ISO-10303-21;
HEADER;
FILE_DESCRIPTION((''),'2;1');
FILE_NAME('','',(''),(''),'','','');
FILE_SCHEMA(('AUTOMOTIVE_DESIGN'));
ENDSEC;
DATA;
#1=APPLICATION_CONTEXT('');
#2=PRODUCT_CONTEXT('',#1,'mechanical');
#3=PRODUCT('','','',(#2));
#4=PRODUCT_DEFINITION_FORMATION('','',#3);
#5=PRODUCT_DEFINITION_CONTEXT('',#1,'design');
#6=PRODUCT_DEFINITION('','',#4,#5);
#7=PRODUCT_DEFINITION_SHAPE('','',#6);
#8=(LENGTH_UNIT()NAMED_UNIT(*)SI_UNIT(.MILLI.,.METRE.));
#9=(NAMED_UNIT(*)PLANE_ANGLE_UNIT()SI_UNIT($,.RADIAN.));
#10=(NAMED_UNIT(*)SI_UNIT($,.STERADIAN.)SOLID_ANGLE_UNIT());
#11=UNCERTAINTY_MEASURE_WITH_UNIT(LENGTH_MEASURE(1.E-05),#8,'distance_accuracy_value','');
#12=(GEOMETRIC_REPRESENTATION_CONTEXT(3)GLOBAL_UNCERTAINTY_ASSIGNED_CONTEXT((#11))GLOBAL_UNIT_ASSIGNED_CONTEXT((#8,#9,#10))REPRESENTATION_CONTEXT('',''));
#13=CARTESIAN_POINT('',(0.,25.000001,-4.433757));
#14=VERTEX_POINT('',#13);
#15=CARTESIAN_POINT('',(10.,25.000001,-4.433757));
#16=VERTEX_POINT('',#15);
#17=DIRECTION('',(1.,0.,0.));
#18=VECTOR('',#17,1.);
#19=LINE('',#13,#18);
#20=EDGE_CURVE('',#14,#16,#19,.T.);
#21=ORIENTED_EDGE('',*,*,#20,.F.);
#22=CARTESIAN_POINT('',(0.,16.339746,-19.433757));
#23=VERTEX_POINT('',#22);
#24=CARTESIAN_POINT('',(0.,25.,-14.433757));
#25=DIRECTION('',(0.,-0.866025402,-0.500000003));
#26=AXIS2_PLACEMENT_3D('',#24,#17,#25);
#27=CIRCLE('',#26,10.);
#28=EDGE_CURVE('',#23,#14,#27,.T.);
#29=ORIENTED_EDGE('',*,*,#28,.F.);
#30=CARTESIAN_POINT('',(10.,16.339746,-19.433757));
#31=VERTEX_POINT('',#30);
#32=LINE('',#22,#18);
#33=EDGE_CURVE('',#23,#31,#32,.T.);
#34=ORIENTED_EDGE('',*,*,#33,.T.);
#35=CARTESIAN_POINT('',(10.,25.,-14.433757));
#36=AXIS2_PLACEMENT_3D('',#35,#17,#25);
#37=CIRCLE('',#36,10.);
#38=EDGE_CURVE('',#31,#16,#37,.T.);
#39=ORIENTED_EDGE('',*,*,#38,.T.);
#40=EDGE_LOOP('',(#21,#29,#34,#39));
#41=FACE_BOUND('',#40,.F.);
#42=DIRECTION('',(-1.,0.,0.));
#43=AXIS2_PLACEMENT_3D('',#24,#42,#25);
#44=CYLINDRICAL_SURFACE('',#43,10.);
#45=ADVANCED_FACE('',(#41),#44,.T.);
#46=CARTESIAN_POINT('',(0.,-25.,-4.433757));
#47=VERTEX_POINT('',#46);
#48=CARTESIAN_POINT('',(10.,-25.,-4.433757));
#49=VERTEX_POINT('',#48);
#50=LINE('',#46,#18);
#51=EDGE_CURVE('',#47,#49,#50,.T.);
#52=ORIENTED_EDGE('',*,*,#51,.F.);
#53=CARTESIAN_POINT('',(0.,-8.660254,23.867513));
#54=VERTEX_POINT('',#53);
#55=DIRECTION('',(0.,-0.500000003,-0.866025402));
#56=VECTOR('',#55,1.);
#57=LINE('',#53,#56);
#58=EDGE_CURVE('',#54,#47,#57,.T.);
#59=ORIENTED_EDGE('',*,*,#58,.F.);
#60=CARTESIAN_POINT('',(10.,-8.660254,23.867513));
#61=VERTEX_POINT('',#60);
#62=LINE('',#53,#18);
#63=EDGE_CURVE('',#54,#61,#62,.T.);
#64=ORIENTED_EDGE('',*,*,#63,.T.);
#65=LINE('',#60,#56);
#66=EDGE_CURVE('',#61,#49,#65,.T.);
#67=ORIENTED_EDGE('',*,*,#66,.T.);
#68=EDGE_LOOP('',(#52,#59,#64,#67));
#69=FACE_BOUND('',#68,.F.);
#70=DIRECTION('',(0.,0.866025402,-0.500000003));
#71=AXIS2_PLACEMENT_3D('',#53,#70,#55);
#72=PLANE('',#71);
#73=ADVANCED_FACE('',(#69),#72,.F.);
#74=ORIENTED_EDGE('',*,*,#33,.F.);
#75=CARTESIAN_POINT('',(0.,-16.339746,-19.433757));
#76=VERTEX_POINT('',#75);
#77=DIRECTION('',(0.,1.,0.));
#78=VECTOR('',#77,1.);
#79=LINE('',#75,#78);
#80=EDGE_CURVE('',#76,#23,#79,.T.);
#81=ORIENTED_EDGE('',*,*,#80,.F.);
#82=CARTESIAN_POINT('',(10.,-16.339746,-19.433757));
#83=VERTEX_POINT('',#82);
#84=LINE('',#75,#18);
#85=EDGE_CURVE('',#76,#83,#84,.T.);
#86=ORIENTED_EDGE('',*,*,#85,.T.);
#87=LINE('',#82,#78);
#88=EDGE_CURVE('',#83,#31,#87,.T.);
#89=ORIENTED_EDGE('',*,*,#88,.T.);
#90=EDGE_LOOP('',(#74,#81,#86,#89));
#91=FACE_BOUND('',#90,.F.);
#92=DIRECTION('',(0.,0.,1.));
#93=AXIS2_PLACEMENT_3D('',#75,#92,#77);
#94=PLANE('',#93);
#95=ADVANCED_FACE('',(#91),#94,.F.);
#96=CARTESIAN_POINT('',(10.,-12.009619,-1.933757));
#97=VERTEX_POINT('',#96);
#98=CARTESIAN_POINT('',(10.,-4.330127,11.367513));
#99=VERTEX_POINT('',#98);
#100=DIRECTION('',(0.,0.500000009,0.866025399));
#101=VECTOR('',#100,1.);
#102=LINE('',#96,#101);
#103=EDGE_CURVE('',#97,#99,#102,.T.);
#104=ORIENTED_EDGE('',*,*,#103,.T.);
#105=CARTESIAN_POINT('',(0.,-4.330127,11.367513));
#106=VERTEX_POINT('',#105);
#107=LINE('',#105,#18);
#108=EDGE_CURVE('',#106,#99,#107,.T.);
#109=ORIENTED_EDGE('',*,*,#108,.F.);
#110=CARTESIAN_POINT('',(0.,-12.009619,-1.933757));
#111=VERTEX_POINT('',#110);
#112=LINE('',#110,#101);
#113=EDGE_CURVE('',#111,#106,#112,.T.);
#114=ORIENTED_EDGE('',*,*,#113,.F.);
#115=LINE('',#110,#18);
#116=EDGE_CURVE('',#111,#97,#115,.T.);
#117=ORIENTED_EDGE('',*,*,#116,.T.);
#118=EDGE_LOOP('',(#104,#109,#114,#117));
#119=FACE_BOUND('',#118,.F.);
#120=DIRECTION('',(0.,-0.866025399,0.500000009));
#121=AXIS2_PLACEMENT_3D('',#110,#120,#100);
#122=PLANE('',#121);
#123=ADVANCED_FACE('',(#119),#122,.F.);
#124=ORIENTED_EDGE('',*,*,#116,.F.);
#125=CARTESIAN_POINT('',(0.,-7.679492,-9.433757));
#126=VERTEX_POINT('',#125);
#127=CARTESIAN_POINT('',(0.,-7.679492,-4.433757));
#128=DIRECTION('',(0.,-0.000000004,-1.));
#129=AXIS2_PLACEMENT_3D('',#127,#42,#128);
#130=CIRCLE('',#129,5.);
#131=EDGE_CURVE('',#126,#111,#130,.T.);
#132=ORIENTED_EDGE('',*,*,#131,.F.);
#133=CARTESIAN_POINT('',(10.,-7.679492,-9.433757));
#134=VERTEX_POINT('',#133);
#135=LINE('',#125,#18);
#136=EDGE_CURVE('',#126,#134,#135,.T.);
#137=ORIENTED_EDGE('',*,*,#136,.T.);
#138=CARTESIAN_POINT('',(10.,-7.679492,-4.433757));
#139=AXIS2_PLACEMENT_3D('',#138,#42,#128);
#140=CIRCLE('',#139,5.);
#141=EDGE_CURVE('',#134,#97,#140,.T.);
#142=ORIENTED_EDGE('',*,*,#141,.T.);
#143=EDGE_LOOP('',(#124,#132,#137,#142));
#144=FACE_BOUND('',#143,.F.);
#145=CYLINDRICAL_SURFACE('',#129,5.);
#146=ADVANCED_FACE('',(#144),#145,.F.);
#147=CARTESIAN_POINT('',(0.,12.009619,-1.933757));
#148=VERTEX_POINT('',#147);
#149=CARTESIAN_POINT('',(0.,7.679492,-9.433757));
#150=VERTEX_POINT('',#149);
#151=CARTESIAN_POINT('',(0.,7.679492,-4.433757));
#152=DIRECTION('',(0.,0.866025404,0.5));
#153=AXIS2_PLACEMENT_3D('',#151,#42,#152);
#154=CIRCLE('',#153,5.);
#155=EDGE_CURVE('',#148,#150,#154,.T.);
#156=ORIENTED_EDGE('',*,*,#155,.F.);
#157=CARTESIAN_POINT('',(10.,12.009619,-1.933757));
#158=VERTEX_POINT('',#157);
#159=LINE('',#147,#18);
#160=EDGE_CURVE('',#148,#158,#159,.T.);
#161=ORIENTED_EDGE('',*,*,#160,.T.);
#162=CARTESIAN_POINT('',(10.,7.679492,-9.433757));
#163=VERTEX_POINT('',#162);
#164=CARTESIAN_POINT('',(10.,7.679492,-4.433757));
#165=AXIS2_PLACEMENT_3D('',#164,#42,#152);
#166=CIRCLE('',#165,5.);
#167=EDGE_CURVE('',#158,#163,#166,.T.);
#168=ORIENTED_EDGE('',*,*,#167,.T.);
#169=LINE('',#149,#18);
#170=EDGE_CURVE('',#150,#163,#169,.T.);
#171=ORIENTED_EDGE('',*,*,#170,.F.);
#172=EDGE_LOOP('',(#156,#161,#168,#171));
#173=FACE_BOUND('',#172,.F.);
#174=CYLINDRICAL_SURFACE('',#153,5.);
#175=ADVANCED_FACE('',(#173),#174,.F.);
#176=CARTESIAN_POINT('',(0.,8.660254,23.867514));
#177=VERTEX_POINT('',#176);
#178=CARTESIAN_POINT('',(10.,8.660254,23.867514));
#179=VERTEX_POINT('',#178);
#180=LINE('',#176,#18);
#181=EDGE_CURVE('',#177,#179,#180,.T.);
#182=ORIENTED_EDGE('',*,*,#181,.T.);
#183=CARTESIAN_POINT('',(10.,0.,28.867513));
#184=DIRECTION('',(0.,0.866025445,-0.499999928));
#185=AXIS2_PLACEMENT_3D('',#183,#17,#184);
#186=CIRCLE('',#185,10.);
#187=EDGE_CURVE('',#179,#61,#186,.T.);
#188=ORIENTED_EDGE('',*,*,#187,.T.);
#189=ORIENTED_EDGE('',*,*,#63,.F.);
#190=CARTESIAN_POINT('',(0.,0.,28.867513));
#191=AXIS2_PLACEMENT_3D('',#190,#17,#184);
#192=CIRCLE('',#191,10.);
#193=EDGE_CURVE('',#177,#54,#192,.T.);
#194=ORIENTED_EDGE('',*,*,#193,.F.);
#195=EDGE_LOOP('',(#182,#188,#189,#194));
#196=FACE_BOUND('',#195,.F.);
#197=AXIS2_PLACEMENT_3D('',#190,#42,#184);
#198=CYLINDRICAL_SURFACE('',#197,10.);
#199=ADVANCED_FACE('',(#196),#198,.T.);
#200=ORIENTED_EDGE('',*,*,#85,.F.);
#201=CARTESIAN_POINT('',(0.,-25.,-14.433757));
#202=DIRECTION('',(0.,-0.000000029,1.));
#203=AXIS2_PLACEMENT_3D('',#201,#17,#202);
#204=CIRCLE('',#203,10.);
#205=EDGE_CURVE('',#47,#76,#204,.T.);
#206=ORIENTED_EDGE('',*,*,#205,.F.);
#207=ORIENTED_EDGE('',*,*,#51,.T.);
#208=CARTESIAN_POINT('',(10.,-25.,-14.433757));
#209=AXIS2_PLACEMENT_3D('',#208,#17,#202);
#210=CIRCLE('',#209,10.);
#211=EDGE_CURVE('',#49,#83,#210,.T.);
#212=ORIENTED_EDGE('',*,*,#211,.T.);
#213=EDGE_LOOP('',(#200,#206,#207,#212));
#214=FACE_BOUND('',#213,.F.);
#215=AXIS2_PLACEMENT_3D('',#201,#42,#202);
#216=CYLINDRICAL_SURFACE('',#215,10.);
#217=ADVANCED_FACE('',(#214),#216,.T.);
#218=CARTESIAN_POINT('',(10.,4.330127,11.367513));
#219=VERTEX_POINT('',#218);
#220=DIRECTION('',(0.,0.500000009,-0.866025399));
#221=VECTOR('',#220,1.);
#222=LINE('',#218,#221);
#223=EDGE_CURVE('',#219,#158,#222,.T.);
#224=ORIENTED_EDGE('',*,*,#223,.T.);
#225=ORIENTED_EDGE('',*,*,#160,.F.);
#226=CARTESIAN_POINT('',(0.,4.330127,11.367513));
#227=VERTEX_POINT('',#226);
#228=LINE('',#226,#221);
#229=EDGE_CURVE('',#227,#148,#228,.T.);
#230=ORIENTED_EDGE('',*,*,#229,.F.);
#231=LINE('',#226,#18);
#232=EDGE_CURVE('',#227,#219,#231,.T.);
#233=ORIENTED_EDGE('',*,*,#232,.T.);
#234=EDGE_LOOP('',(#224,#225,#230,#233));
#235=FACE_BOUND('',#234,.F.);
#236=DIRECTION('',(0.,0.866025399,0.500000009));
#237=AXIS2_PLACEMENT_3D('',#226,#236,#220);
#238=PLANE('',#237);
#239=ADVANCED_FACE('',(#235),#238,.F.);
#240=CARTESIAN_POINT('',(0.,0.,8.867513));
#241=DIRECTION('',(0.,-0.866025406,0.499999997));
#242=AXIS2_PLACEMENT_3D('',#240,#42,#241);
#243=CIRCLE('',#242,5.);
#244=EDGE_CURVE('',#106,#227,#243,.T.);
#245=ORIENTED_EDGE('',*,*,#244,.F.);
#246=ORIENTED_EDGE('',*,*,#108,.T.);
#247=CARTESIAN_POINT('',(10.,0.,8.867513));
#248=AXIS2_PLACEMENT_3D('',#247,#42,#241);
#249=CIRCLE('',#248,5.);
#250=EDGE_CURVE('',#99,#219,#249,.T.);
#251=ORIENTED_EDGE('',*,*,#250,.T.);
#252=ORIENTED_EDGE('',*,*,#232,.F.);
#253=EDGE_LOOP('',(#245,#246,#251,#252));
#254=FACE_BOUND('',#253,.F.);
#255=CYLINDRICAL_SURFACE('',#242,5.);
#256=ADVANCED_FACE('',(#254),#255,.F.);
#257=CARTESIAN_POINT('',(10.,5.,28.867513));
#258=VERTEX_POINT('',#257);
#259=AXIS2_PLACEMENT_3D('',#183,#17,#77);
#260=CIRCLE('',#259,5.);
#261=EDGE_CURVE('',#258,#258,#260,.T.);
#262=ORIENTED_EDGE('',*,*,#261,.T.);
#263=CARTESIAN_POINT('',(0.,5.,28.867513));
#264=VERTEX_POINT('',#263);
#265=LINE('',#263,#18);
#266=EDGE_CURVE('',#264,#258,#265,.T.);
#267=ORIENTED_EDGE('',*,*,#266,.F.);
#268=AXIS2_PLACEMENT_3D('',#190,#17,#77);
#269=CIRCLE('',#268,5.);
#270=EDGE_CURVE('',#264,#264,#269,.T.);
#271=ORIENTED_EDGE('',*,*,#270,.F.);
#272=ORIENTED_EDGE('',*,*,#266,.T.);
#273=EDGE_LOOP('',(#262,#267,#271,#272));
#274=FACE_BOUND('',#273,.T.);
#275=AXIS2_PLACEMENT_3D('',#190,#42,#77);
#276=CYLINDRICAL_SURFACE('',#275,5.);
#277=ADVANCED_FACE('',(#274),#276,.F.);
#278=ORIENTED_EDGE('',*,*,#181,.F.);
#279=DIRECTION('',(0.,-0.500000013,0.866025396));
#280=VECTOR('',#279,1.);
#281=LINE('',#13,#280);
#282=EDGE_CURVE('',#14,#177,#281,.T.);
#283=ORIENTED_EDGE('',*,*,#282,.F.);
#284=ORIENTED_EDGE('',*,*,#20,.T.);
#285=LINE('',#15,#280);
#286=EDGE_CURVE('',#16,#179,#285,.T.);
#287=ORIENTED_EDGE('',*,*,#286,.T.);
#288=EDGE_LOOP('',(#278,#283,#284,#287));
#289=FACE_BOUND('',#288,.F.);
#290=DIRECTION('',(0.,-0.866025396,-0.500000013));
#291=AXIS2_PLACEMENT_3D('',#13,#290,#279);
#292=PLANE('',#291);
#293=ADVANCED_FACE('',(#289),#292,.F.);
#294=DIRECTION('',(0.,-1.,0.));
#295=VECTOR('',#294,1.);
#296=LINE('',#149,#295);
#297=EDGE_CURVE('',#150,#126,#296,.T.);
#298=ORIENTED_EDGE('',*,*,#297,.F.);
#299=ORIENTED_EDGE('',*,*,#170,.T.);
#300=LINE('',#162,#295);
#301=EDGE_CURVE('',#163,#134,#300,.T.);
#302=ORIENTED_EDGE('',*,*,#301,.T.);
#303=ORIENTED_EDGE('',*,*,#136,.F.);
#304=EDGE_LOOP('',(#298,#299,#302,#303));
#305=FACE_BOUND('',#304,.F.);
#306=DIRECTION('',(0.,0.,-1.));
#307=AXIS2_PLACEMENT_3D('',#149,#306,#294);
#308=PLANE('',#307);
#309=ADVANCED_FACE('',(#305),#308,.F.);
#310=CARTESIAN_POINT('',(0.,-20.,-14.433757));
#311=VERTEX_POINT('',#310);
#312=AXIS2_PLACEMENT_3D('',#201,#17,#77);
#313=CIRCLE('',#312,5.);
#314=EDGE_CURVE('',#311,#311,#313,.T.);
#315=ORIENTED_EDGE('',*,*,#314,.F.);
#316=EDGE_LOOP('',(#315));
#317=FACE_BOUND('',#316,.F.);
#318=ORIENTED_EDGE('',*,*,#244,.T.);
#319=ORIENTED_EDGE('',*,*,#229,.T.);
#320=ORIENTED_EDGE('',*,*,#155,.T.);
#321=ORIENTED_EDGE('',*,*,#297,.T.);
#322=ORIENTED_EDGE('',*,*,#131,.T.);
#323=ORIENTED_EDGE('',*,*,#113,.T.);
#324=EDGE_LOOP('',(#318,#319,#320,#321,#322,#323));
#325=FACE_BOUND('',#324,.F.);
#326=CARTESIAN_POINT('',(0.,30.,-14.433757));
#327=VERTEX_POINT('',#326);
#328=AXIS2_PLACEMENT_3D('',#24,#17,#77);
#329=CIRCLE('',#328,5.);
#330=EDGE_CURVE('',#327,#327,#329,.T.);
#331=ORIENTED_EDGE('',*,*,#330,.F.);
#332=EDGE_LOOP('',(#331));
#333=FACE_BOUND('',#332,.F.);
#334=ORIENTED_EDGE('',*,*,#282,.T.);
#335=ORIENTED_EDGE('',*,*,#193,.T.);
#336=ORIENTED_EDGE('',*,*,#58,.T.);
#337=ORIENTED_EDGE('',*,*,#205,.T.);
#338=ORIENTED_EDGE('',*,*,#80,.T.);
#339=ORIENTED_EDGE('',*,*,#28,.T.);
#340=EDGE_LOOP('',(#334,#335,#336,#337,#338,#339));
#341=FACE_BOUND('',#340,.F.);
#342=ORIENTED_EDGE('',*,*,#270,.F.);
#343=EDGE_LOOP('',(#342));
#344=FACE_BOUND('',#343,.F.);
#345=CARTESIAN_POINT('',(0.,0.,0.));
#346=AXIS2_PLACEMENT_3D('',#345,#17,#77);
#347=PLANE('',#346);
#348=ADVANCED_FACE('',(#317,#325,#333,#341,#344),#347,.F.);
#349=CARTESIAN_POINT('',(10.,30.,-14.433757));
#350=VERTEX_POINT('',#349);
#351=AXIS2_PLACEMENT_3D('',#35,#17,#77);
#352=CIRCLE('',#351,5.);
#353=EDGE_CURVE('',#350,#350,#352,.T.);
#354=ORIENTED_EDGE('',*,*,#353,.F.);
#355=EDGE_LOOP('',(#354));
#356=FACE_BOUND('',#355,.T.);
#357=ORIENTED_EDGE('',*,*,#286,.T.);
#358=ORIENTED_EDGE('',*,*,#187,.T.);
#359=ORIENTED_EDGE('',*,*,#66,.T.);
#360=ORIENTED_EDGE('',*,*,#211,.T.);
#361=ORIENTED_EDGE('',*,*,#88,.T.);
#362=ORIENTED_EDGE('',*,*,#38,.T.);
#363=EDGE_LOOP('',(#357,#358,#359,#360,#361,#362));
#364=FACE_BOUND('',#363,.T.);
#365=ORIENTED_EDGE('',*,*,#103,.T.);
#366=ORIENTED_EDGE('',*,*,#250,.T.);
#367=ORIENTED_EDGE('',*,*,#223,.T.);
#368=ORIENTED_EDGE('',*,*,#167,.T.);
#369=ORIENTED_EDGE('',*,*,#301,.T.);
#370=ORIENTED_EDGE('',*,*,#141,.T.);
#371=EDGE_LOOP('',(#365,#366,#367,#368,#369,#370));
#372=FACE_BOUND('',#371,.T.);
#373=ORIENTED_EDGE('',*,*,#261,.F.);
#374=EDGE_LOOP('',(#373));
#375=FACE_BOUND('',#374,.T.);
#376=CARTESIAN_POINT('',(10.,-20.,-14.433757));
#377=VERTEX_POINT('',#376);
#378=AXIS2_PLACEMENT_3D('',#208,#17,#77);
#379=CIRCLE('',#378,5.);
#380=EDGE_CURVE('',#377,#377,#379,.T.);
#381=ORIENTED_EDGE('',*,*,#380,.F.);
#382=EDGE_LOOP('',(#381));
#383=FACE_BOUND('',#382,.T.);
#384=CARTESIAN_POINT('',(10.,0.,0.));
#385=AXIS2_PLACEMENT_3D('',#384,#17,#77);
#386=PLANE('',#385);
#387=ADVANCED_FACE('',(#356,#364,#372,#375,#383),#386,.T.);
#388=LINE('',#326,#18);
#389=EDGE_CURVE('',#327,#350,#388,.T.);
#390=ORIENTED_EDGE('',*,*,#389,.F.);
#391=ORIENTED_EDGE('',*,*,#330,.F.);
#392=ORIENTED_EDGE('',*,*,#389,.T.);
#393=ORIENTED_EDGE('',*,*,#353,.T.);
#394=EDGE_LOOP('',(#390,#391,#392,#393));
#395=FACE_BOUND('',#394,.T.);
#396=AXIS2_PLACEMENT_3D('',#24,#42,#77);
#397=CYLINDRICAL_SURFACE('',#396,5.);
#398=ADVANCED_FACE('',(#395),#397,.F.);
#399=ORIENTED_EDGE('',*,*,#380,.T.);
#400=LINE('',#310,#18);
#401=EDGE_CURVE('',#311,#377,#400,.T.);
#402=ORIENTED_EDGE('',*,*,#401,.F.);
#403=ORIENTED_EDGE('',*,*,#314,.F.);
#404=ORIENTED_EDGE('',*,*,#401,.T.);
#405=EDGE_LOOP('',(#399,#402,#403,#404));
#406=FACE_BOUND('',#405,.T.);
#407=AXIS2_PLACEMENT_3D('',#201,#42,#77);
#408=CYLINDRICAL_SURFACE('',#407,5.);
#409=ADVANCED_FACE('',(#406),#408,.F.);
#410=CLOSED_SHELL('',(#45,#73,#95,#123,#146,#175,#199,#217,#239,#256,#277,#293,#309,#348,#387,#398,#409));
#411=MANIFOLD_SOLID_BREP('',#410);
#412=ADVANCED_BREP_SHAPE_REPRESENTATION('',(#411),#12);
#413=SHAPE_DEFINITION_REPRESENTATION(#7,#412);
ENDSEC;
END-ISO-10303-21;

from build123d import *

# Parameters (mm, degrees)
F0_R     = 5
F1_DEPTH = 10


with BuildPart() as f1:
    # F0 (on Right) → F1 (new body)
    with BuildSketch(Plane.YZ):
        with BuildLine():
            Line((25.000001, -4.433757), (8.660254, 23.867514))
            ThreePointArc((8.660254, 23.867514), (0, 38.867513), (-8.660254, 23.867513))
            Line((-8.660254, 23.867513), (-25, -4.433757))
            ThreePointArc((-25, -4.433757), (-33.660254, -19.433756), (-16.339746, -19.433757))
            Line((-16.339746, -19.433757), (16.339746, -19.433757))
            ThreePointArc((16.339746, -19.433757), (33.660254, -19.433757), (25.000001, -4.433757))
        make_face()
        with Locations((-25, -14.433757)):
            Circle(F0_R, mode=Mode.SUBTRACT)
        with Locations((25, -14.433757)):
            Circle(F0_R, mode=Mode.SUBTRACT)
        with BuildLine():
            ThreePointArc((-4.330127, 11.367513), (0, 13.867513), (4.330127, 11.367513))
            Line((4.330127, 11.367513), (12.009619, -1.933757))
            ThreePointArc((12.009619, -1.933757), (12.009619, -6.933757), (7.679492, -9.433757))
            Line((7.679492, -9.433757), (-7.679492, -9.433757))
            ThreePointArc((-7.679492, -9.433757), (-12.009619, -6.933757), (-12.009619, -1.933757))
            Line((-12.009619, -1.933757), (-4.330127, 11.367513))
        make_face(mode=Mode.SUBTRACT)
        with Locations((0, 28.867513)):
            Circle(F0_R, mode=Mode.SUBTRACT)
    extrude(amount=F1_DEPTH)


solid = f1.part
